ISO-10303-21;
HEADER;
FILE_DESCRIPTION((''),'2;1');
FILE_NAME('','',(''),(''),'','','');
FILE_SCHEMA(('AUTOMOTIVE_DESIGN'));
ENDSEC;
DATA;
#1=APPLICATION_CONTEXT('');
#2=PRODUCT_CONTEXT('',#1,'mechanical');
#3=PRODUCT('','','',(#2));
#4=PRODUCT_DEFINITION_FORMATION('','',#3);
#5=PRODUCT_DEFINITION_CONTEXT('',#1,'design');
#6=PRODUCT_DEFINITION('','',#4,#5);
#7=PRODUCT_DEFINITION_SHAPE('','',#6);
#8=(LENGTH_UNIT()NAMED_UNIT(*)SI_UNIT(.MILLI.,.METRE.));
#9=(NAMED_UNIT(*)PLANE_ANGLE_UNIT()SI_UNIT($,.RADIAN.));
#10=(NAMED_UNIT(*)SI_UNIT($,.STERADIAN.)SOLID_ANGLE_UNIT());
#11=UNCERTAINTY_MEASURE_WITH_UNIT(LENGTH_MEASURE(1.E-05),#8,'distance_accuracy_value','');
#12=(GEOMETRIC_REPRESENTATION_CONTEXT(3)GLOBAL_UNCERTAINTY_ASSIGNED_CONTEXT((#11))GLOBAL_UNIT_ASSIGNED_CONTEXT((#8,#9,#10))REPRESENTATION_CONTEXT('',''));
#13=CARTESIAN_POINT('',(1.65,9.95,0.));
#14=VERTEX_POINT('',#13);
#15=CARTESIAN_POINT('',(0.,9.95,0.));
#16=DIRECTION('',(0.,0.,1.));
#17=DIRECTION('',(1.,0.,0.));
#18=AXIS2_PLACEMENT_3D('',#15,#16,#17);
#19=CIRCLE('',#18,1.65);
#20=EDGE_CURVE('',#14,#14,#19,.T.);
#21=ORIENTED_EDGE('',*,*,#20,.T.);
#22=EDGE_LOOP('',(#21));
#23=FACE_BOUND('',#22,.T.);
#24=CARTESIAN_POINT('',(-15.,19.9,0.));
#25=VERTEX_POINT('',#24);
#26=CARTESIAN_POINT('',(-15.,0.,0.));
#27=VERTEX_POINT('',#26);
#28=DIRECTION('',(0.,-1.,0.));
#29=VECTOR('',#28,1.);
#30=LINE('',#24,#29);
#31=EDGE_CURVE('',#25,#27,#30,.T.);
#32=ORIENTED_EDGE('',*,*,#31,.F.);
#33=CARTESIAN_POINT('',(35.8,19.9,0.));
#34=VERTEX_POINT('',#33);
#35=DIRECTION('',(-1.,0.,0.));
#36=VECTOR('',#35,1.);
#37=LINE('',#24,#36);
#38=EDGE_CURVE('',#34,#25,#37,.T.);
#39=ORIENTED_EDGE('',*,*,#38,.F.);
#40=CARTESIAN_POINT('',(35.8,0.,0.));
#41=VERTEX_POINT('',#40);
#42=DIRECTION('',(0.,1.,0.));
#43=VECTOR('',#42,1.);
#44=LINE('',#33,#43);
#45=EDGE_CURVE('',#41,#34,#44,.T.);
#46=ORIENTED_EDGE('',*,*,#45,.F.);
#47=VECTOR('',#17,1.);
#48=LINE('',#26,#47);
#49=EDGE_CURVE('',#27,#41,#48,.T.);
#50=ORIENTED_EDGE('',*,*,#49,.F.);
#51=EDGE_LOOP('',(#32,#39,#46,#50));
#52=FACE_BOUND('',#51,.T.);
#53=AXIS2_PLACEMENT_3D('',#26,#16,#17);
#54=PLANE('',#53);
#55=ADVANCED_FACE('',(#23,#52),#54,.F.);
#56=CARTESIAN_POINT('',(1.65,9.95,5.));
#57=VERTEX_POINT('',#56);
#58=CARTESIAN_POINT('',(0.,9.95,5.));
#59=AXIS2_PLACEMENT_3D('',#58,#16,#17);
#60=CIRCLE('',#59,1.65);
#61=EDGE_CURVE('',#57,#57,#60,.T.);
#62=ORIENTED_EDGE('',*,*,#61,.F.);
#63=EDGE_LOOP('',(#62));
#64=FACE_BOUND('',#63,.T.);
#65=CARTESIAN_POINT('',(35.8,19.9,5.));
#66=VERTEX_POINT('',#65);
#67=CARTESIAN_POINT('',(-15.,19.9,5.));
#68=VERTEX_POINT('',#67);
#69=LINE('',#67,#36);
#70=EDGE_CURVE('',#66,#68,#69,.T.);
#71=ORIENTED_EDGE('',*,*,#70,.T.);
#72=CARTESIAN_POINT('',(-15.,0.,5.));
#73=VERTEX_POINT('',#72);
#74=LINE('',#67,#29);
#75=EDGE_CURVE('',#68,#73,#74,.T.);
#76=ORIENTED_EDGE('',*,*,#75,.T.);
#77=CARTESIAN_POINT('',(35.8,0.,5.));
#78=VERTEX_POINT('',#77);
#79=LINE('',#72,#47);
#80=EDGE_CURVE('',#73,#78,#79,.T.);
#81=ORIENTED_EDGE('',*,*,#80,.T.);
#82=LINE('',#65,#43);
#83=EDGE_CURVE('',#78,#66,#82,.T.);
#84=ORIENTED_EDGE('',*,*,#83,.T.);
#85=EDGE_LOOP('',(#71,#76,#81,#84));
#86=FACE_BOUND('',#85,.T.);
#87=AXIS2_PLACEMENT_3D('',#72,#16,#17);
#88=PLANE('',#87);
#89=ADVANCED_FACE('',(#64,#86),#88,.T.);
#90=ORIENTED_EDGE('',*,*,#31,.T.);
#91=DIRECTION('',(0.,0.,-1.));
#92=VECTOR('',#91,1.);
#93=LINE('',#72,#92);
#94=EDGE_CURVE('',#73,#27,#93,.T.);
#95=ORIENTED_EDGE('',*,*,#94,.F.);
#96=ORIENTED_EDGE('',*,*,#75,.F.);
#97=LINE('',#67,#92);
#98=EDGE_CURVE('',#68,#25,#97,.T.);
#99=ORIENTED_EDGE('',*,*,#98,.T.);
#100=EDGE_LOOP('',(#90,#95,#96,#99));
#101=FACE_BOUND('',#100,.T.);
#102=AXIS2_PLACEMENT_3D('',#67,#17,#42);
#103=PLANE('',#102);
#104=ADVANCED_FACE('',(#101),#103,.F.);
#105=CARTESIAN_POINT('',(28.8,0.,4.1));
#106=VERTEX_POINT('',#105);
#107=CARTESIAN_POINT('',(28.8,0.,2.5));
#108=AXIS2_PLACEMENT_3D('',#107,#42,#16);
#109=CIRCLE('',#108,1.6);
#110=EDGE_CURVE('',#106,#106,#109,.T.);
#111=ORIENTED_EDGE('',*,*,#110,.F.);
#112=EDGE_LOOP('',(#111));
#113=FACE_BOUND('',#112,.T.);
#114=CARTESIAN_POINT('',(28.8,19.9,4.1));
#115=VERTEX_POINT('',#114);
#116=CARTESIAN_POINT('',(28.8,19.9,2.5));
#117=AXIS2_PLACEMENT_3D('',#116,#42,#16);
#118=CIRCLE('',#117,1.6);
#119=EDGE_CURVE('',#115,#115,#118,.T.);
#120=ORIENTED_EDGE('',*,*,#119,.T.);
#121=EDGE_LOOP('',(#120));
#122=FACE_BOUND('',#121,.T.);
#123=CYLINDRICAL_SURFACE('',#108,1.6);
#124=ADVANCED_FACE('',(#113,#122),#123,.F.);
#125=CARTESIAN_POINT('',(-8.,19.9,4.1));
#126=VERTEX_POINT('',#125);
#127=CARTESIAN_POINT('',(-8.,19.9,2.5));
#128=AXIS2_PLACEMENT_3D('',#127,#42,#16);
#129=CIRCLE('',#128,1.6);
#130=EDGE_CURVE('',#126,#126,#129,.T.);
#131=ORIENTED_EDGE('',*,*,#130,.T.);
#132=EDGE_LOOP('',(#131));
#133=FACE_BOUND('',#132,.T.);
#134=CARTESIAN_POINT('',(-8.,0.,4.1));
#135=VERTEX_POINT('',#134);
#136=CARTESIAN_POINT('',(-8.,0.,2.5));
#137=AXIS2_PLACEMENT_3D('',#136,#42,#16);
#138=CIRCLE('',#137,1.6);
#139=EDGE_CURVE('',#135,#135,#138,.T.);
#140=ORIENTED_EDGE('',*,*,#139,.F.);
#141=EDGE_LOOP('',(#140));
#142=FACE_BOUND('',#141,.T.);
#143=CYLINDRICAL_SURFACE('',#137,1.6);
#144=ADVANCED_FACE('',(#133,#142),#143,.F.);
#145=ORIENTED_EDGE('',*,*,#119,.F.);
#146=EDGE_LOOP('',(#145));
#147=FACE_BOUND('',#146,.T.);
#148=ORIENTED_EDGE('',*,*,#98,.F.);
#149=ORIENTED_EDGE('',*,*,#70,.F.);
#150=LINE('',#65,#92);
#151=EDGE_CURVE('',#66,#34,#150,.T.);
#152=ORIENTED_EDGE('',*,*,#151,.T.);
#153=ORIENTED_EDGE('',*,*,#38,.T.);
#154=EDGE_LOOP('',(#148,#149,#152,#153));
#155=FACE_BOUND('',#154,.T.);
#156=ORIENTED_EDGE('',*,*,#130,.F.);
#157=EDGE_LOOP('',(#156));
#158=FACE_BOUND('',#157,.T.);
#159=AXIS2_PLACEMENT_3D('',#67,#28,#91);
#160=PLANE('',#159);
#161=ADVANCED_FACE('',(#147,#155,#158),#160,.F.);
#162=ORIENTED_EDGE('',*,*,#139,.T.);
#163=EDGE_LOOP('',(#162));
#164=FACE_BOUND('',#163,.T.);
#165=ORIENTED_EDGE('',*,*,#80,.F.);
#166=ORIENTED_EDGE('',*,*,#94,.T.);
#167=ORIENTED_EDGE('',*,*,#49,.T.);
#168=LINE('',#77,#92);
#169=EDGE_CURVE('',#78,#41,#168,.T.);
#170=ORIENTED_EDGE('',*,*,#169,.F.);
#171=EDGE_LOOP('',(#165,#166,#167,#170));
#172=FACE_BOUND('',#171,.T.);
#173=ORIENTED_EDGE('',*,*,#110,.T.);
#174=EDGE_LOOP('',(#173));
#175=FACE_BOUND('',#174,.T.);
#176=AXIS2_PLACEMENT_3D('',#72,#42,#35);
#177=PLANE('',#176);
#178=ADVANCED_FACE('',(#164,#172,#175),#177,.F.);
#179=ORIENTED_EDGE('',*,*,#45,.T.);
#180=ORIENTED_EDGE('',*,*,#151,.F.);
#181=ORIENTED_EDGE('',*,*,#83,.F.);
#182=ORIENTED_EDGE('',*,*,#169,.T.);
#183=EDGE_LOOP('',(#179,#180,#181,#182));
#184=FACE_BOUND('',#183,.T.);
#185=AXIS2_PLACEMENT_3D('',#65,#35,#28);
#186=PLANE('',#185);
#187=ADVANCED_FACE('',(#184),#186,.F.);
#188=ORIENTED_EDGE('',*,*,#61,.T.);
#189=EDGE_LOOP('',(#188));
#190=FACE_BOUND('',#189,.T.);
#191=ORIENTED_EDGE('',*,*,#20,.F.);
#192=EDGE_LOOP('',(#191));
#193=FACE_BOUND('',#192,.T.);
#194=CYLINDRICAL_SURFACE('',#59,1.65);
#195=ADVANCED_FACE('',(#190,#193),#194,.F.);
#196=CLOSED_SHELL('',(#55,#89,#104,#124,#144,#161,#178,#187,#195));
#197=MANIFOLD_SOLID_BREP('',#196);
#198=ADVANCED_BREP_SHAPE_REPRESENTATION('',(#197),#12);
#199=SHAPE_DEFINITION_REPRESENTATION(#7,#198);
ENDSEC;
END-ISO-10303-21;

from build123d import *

# Parameters (mm, degrees)
ESQUISSE1_W             = 50.8
ESQUISSE1_H             = 19.9
EXTRUSION1_DEPTH        = 5
TROU_TARAUD_M4X0_71_D   = 3.3
ESQUISSE4_R             = 1.6
ENL_V_MAT_EXTRU_1_DEPTH = 42.263179713


with BuildPart() as part:
    # Esquisse1 → Extrusion1 (new body)
    with BuildSketch(Plane.XY):
        with Locations((10.4, 9.95)):
            Rectangle(ESQUISSE1_W, ESQUISSE1_H)
    extrude(amount=EXTRUSION1_DEPTH)

    # Trou taraudé M4x0.71 (through all)
    with Locations(Plane.XY.offset(5)):
        with Locations((0, 9.95)):
            Hole(TROU_TARAUD_M4X0_71_D / 2)

    # Esquisse4 → Enlèv. mat.-Extru.1 (cut, through all)
    with BuildSketch(Plane(origin=(0, 19.9, 0), x_dir=(1, 0, 0), z_dir=(0, 1, 0))):
        with Locations(Location((-8, -2.5, 0), (0, 0, 270))):
            Circle(ESQUISSE4_R)
        with Locations(Location((28.8, -2.5, 0), (0, 0, 270))):
            Circle(ESQUISSE4_R)
    extrude(amount=-ENL_V_MAT_EXTRU_1_DEPTH, mode=Mode.SUBTRACT)


solid = part.part
